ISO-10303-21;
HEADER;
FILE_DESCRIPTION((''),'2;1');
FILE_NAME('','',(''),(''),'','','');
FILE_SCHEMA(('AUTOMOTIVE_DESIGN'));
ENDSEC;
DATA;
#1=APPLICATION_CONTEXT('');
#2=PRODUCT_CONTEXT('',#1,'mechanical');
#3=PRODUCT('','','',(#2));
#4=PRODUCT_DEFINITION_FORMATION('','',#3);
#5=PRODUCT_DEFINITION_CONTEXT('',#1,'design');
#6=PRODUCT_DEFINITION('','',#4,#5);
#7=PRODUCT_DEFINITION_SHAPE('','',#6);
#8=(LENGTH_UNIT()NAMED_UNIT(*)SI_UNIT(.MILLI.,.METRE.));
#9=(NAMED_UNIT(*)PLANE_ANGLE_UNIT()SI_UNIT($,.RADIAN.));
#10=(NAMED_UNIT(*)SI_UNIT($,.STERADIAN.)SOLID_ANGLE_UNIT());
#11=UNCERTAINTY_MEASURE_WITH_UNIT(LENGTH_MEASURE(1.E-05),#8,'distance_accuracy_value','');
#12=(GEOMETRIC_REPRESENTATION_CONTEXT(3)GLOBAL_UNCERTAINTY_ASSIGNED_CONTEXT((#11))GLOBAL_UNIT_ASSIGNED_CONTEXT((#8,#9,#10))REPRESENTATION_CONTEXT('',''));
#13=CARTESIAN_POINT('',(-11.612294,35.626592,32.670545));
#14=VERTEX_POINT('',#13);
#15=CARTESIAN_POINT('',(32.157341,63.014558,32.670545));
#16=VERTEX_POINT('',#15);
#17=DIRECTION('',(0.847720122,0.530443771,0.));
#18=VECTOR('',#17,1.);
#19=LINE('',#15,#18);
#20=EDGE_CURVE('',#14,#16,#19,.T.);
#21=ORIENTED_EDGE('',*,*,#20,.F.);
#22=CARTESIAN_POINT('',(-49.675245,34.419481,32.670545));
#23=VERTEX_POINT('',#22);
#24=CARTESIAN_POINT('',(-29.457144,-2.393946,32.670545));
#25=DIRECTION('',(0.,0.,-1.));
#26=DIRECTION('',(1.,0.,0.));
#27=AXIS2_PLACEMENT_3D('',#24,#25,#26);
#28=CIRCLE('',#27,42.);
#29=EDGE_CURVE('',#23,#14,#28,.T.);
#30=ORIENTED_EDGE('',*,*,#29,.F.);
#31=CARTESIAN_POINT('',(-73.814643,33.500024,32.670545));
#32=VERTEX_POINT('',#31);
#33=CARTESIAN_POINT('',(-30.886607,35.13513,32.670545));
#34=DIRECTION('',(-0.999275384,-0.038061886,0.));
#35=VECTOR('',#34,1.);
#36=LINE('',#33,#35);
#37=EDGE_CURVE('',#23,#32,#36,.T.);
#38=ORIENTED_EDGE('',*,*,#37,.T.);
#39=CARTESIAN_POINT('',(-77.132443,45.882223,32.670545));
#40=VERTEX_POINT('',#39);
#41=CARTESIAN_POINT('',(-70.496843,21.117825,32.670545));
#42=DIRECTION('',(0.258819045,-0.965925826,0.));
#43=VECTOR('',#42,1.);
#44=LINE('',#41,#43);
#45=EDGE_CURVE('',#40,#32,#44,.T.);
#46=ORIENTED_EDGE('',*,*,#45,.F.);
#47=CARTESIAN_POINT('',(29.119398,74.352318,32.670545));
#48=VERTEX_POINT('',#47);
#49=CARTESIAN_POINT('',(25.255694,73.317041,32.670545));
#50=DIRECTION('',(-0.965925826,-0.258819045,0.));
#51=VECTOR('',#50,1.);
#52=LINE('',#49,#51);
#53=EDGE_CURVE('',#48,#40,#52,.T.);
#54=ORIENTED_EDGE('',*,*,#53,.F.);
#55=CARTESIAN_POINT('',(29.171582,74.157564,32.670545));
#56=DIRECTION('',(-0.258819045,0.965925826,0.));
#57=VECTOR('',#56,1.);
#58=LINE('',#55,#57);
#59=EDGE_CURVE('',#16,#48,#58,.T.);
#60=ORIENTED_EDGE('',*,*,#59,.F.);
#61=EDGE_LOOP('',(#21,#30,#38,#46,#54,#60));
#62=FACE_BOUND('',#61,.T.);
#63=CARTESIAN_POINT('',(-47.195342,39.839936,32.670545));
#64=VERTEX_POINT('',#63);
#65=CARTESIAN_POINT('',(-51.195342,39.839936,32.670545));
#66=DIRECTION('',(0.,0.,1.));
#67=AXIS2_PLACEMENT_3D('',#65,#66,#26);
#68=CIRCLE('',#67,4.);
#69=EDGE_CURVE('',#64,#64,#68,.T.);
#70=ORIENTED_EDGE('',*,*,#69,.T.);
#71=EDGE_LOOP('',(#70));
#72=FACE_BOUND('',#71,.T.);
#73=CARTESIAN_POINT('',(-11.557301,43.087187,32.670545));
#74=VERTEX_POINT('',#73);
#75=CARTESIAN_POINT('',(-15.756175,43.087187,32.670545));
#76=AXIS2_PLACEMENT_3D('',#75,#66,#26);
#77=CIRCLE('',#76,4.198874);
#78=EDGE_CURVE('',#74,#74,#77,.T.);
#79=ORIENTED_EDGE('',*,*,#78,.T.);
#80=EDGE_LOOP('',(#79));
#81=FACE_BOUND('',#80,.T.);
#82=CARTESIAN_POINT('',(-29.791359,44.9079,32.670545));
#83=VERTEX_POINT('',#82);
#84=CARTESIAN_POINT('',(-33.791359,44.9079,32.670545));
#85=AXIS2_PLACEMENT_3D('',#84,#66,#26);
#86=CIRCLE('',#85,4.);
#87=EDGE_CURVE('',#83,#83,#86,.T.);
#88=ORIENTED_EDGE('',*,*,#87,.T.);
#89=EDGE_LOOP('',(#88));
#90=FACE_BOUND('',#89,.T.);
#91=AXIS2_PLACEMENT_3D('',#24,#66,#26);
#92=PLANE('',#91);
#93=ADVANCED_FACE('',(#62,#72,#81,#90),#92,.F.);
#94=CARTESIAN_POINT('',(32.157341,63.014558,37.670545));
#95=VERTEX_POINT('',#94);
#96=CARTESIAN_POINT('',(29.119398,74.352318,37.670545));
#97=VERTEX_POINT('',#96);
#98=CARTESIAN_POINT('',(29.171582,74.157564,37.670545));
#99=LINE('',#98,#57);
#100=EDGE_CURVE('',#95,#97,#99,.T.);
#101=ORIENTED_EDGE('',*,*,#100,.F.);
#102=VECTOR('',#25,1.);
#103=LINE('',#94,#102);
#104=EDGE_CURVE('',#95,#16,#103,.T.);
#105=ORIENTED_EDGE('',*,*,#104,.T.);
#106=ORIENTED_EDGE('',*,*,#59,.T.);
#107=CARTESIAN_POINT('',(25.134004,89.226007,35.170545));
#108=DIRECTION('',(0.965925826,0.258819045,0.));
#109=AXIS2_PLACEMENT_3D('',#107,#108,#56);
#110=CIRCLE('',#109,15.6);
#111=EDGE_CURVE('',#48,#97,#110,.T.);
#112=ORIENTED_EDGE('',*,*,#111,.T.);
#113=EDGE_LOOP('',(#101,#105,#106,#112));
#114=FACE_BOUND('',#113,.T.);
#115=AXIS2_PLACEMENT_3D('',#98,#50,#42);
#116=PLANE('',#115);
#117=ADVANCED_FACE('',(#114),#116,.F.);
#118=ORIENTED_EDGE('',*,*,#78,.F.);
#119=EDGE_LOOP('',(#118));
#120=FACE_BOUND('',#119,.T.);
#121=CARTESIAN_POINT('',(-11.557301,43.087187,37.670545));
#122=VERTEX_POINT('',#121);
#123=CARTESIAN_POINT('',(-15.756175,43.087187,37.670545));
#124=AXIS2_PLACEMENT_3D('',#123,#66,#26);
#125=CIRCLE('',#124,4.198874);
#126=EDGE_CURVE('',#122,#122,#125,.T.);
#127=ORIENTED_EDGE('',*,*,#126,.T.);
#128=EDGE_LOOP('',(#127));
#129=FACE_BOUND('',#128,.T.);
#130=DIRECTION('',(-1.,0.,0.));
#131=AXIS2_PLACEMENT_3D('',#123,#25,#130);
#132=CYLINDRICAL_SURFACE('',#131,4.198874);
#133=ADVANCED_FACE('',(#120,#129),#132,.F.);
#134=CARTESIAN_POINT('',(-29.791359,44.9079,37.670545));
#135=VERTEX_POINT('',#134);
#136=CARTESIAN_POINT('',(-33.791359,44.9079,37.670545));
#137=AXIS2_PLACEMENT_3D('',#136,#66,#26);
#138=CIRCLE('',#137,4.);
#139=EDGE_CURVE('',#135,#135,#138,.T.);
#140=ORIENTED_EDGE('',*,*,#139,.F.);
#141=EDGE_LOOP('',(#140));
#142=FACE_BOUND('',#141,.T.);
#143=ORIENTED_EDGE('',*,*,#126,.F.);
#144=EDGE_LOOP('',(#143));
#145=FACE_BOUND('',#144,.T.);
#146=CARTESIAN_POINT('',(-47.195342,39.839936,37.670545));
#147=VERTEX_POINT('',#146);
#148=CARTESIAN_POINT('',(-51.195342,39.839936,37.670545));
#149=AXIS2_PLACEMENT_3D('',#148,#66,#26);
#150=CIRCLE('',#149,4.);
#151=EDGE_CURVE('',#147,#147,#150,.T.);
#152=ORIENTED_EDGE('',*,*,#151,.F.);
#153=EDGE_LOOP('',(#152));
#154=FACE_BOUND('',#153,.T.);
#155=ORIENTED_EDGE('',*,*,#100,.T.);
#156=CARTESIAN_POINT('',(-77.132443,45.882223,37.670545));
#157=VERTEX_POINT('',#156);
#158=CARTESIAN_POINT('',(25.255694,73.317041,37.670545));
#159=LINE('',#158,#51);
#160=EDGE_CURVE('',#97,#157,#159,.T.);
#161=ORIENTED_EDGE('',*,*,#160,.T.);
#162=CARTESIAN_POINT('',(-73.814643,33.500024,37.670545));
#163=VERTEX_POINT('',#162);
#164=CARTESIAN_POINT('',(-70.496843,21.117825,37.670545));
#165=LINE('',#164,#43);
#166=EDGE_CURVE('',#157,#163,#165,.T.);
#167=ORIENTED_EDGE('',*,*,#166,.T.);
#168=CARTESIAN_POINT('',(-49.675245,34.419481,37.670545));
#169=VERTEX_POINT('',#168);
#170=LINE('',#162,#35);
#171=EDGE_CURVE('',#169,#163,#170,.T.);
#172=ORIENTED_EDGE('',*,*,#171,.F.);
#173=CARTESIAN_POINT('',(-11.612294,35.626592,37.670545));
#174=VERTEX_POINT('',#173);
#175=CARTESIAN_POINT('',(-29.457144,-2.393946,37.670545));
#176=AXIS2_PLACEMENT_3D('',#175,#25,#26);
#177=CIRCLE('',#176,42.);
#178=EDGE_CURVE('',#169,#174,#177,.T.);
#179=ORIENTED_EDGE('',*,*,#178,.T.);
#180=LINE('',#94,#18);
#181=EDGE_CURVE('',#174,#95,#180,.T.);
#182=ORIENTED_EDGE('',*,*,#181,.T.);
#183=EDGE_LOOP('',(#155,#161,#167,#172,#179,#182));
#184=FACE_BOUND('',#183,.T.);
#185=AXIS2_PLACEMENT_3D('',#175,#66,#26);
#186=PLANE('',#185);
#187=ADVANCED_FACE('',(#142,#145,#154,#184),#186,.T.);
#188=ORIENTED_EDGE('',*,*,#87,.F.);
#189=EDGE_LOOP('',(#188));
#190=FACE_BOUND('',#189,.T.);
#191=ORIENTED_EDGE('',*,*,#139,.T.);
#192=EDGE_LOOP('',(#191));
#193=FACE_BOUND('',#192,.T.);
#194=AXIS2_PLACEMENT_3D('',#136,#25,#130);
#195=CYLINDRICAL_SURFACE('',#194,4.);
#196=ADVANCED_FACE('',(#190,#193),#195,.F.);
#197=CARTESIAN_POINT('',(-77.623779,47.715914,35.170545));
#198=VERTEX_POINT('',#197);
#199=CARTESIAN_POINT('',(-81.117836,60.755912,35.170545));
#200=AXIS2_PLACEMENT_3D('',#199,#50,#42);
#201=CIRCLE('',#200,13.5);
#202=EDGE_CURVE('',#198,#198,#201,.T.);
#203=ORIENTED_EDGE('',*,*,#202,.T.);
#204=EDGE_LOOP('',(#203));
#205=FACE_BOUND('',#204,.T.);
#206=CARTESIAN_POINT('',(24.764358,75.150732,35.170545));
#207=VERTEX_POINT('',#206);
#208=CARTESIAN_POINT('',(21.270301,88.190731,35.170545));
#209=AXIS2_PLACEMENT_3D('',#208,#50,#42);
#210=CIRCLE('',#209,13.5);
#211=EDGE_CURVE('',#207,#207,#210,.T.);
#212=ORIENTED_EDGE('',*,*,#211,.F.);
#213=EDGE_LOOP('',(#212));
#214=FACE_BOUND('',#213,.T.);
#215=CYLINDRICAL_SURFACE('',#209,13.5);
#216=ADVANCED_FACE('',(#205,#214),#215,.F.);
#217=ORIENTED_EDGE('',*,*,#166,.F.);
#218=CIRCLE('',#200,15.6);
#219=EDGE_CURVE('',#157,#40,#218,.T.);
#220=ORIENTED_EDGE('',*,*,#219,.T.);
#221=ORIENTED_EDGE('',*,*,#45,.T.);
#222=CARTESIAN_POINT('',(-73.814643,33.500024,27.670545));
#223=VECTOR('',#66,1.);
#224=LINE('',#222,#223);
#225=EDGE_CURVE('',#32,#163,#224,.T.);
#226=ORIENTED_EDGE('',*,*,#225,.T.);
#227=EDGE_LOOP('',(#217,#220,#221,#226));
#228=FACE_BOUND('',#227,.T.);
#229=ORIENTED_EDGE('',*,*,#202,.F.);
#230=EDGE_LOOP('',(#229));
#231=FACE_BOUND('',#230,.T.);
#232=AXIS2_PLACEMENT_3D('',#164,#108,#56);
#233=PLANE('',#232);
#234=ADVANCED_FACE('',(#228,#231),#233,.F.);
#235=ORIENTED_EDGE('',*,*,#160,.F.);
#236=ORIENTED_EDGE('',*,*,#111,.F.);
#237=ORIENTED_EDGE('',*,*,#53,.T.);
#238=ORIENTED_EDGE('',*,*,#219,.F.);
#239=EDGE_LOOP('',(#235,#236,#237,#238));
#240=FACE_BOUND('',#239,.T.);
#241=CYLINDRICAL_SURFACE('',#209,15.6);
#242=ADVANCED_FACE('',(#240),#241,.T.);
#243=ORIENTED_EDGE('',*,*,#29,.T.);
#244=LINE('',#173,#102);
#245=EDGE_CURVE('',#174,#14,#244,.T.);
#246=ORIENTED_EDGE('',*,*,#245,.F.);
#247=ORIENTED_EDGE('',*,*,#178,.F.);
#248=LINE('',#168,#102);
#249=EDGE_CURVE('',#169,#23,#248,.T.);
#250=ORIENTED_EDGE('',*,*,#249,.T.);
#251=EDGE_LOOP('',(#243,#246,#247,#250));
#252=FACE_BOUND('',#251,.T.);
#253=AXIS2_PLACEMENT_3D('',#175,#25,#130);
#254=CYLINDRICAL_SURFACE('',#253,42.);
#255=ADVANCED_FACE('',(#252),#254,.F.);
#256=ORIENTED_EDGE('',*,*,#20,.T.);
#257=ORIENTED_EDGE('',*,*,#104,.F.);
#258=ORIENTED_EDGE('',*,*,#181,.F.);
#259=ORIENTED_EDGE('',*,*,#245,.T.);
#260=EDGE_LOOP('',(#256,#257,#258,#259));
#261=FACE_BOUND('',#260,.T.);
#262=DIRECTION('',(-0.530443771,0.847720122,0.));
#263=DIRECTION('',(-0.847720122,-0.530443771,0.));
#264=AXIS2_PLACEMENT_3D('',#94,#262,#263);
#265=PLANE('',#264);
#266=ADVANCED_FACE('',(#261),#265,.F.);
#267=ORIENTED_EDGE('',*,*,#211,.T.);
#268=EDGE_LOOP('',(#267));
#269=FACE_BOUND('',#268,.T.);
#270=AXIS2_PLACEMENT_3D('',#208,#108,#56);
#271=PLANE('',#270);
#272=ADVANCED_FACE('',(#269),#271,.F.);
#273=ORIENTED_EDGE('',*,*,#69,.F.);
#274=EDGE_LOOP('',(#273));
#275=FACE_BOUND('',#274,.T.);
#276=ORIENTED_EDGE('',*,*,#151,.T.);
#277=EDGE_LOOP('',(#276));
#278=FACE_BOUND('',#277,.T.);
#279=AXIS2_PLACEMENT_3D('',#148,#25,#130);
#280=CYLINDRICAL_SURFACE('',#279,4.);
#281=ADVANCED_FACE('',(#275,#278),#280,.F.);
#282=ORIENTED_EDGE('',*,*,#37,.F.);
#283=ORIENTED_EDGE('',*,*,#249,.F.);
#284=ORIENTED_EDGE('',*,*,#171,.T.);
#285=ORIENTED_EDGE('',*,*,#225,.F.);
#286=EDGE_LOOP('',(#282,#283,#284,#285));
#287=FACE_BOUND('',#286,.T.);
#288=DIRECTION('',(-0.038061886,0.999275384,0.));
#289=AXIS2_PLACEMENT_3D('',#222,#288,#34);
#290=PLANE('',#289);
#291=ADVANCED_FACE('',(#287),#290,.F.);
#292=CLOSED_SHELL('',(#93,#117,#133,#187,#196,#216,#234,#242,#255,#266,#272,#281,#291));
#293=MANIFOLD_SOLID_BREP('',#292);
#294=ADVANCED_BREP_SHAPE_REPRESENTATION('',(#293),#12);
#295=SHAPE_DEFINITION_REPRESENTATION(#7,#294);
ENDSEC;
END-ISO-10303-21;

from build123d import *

# Parameters (mm, degrees)
SKETCH1_R           = 4
SKETCH1_R_2         = 4.198873956
BOSS_EXTRUDE1_DEPTH = 5
SKETCH2_R           = 13.5
BOSS_EXTRUDE2_DEPTH = 106
BOSS_EXTRUDE4_DEPTH = 4
CUT_EXTRUDE1_START  = -10
CUT_EXTRUDE1_DEPTH  = 10


with BuildPart() as part:
    # Sketch1 → Boss-Extrude1 (new body)
    with BuildSketch(Plane.XY.offset(32.670544835)):
        with BuildLine():
            Line((-70.496842865, 21.117824566), (-77.080259334, 45.687469315))
            Line((-77.080259334, 45.687469315), (29.171581558, 74.157564276))
            Line((29.171581558, 74.157564276), (32.157340999, 63.014558343))
            Line((32.157340999, 63.014558343), (-11.6122935, 35.626592223))
            ThreePointArc((-11.6122935, 35.626592223), (-40.615747818, 38.096615543), (-64.259394629, 21.117824566))
            Line((-64.259394629, 21.117824566), (-70.496842865, 21.117824566))
        make_face()
        with Locations((-65.433540443, 28.621355152)):
            Circle(SKETCH1_R, mode=Mode.SUBTRACT)
        with Locations((-51.195341682, 39.839935825)):
            Circle(SKETCH1_R, mode=Mode.SUBTRACT)
        with Locations((-33.791359384, 44.907899562)):
            Circle(SKETCH1_R, mode=Mode.SUBTRACT)
        with Locations((-15.756175362, 43.087187195)):
            Circle(SKETCH1_R_2, mode=Mode.SUBTRACT)
    extrude(amount=BOSS_EXTRUDE1_DEPTH)

    # Sketch2 → Boss-Extrude2 (add)
    with BuildSketch(Plane(origin=(-60.494993695, -16.209584707, 0), x_dir=(0, 0, 1), z_dir=(-0.9659258262890686, -0.2588190451025196, 0))):
        with BuildLine():
            Line((37.670544835, 64.080545666), (37.670544835, 64.282169128))
            ThreePointArc((37.670544835, 64.282169128), (35.170544835, 95.280545666), (32.670544835, 64.282169128))
            Line((32.670544835, 64.282169128), (32.670544835, 64.080545666))
            Line((32.670544835, 64.080545666), (37.670544835, 64.080545666))
        make_face()
        with Locations(Location((35.170544835, 79.680545666, 0), (0, 0, 270))):
            Circle(SKETCH2_R, mode=Mode.SUBTRACT)
    extrude(amount=-BOSS_EXTRUDE2_DEPTH)

    # Sketch3 → Boss-Extrude4 (add)
    with BuildSketch(Plane(origin=(41.893143892, 11.225234074, 0), x_dir=(0, 0, -1), z_dir=(0.9659258262890686, 0.2588190451025196, 0))):
        with BuildLine():
            Line((-37.670544835, 64.282169128), (-37.670544835, 64.080545666))
            Line((-37.670544835, 64.080545666), (-32.670544835, 64.080545666))
            Line((-32.670544835, 64.080545666), (-32.670544835, 64.282169128))
            ThreePointArc((-32.670544835, 64.282169128), (-35.170544835, 95.280545666), (-37.670544835, 64.282169128))
        make_face()
    extrude(amount=BOSS_EXTRUDE4_DEPTH)

    # Sketch4 → Cut-Extrude1 (cut)
    with BuildSketch(Plane.XY.offset(37.670544835).offset(CUT_EXTRUDE1_START)):
        with BuildLine():
            Line((-73.814643096, 33.500023595), (-49.675245154, 34.41948085))
            ThreePointArc((-49.675245154, 34.41948085), (-57.759852218, 28.637597873), (-64.259394629, 21.117824566))
            Line((-64.259394629, 21.117824566), (-70.496842865, 21.117824566))
            Line((-70.496842865, 21.117824566), (-73.814643096, 33.500023595))
        make_face()
    extrude(amount=CUT_EXTRUDE1_DEPTH, mode=Mode.SUBTRACT)


solid = part.part
